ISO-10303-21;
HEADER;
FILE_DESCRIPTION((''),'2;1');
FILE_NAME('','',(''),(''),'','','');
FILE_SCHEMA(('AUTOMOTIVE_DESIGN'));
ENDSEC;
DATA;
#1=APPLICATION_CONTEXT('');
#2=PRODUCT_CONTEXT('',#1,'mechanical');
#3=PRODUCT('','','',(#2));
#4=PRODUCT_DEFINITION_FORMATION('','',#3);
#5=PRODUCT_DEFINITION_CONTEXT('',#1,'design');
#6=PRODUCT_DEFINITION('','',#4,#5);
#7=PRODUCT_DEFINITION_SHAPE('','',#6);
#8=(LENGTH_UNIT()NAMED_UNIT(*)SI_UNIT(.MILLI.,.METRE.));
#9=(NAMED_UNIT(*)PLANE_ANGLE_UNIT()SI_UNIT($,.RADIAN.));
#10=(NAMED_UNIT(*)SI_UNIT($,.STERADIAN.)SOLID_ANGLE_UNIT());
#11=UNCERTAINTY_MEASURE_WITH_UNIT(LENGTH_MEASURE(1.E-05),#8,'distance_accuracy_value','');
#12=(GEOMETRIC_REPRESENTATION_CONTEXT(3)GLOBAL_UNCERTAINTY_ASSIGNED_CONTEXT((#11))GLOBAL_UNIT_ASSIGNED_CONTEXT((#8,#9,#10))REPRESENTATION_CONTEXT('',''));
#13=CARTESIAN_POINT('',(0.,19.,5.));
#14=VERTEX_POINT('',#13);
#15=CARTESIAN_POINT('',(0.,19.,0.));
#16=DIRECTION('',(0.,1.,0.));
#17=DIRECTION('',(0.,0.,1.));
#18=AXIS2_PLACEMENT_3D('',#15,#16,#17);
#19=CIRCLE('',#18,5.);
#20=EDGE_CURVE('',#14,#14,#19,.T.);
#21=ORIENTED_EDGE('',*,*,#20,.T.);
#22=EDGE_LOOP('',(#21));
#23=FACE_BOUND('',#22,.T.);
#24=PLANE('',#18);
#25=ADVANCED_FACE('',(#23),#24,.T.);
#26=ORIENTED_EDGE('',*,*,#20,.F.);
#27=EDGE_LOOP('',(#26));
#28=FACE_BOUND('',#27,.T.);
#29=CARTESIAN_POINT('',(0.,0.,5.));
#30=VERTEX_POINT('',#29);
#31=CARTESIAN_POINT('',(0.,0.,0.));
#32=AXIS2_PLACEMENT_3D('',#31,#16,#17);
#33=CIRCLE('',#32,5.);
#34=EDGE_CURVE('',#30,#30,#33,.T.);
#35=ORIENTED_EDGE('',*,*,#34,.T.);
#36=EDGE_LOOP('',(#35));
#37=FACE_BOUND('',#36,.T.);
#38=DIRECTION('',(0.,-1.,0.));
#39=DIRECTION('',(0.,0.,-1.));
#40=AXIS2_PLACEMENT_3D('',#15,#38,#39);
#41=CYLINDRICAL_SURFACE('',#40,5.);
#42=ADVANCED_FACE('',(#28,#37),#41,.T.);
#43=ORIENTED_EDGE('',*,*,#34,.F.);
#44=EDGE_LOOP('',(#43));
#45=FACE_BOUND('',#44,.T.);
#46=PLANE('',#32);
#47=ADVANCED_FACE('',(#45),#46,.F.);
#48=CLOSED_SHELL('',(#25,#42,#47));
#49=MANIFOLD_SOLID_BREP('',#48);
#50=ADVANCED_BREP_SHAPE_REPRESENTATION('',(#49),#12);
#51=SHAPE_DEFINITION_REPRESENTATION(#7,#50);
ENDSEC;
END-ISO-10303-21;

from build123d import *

# Parameters (mm, degrees)
SKETCH1_R           = 5
BOSS_EXTRUDE1_DEPTH = 19


with BuildPart() as part:
    # Sketch1 → Boss-Extrude1 (new body)
    with BuildSketch(Plane(origin=(0, 0, 0), x_dir=(1, 0, 0), z_dir=(0, 1, 0))):
        Circle(SKETCH1_R)
    extrude(amount=BOSS_EXTRUDE1_DEPTH)


solid = part.part
